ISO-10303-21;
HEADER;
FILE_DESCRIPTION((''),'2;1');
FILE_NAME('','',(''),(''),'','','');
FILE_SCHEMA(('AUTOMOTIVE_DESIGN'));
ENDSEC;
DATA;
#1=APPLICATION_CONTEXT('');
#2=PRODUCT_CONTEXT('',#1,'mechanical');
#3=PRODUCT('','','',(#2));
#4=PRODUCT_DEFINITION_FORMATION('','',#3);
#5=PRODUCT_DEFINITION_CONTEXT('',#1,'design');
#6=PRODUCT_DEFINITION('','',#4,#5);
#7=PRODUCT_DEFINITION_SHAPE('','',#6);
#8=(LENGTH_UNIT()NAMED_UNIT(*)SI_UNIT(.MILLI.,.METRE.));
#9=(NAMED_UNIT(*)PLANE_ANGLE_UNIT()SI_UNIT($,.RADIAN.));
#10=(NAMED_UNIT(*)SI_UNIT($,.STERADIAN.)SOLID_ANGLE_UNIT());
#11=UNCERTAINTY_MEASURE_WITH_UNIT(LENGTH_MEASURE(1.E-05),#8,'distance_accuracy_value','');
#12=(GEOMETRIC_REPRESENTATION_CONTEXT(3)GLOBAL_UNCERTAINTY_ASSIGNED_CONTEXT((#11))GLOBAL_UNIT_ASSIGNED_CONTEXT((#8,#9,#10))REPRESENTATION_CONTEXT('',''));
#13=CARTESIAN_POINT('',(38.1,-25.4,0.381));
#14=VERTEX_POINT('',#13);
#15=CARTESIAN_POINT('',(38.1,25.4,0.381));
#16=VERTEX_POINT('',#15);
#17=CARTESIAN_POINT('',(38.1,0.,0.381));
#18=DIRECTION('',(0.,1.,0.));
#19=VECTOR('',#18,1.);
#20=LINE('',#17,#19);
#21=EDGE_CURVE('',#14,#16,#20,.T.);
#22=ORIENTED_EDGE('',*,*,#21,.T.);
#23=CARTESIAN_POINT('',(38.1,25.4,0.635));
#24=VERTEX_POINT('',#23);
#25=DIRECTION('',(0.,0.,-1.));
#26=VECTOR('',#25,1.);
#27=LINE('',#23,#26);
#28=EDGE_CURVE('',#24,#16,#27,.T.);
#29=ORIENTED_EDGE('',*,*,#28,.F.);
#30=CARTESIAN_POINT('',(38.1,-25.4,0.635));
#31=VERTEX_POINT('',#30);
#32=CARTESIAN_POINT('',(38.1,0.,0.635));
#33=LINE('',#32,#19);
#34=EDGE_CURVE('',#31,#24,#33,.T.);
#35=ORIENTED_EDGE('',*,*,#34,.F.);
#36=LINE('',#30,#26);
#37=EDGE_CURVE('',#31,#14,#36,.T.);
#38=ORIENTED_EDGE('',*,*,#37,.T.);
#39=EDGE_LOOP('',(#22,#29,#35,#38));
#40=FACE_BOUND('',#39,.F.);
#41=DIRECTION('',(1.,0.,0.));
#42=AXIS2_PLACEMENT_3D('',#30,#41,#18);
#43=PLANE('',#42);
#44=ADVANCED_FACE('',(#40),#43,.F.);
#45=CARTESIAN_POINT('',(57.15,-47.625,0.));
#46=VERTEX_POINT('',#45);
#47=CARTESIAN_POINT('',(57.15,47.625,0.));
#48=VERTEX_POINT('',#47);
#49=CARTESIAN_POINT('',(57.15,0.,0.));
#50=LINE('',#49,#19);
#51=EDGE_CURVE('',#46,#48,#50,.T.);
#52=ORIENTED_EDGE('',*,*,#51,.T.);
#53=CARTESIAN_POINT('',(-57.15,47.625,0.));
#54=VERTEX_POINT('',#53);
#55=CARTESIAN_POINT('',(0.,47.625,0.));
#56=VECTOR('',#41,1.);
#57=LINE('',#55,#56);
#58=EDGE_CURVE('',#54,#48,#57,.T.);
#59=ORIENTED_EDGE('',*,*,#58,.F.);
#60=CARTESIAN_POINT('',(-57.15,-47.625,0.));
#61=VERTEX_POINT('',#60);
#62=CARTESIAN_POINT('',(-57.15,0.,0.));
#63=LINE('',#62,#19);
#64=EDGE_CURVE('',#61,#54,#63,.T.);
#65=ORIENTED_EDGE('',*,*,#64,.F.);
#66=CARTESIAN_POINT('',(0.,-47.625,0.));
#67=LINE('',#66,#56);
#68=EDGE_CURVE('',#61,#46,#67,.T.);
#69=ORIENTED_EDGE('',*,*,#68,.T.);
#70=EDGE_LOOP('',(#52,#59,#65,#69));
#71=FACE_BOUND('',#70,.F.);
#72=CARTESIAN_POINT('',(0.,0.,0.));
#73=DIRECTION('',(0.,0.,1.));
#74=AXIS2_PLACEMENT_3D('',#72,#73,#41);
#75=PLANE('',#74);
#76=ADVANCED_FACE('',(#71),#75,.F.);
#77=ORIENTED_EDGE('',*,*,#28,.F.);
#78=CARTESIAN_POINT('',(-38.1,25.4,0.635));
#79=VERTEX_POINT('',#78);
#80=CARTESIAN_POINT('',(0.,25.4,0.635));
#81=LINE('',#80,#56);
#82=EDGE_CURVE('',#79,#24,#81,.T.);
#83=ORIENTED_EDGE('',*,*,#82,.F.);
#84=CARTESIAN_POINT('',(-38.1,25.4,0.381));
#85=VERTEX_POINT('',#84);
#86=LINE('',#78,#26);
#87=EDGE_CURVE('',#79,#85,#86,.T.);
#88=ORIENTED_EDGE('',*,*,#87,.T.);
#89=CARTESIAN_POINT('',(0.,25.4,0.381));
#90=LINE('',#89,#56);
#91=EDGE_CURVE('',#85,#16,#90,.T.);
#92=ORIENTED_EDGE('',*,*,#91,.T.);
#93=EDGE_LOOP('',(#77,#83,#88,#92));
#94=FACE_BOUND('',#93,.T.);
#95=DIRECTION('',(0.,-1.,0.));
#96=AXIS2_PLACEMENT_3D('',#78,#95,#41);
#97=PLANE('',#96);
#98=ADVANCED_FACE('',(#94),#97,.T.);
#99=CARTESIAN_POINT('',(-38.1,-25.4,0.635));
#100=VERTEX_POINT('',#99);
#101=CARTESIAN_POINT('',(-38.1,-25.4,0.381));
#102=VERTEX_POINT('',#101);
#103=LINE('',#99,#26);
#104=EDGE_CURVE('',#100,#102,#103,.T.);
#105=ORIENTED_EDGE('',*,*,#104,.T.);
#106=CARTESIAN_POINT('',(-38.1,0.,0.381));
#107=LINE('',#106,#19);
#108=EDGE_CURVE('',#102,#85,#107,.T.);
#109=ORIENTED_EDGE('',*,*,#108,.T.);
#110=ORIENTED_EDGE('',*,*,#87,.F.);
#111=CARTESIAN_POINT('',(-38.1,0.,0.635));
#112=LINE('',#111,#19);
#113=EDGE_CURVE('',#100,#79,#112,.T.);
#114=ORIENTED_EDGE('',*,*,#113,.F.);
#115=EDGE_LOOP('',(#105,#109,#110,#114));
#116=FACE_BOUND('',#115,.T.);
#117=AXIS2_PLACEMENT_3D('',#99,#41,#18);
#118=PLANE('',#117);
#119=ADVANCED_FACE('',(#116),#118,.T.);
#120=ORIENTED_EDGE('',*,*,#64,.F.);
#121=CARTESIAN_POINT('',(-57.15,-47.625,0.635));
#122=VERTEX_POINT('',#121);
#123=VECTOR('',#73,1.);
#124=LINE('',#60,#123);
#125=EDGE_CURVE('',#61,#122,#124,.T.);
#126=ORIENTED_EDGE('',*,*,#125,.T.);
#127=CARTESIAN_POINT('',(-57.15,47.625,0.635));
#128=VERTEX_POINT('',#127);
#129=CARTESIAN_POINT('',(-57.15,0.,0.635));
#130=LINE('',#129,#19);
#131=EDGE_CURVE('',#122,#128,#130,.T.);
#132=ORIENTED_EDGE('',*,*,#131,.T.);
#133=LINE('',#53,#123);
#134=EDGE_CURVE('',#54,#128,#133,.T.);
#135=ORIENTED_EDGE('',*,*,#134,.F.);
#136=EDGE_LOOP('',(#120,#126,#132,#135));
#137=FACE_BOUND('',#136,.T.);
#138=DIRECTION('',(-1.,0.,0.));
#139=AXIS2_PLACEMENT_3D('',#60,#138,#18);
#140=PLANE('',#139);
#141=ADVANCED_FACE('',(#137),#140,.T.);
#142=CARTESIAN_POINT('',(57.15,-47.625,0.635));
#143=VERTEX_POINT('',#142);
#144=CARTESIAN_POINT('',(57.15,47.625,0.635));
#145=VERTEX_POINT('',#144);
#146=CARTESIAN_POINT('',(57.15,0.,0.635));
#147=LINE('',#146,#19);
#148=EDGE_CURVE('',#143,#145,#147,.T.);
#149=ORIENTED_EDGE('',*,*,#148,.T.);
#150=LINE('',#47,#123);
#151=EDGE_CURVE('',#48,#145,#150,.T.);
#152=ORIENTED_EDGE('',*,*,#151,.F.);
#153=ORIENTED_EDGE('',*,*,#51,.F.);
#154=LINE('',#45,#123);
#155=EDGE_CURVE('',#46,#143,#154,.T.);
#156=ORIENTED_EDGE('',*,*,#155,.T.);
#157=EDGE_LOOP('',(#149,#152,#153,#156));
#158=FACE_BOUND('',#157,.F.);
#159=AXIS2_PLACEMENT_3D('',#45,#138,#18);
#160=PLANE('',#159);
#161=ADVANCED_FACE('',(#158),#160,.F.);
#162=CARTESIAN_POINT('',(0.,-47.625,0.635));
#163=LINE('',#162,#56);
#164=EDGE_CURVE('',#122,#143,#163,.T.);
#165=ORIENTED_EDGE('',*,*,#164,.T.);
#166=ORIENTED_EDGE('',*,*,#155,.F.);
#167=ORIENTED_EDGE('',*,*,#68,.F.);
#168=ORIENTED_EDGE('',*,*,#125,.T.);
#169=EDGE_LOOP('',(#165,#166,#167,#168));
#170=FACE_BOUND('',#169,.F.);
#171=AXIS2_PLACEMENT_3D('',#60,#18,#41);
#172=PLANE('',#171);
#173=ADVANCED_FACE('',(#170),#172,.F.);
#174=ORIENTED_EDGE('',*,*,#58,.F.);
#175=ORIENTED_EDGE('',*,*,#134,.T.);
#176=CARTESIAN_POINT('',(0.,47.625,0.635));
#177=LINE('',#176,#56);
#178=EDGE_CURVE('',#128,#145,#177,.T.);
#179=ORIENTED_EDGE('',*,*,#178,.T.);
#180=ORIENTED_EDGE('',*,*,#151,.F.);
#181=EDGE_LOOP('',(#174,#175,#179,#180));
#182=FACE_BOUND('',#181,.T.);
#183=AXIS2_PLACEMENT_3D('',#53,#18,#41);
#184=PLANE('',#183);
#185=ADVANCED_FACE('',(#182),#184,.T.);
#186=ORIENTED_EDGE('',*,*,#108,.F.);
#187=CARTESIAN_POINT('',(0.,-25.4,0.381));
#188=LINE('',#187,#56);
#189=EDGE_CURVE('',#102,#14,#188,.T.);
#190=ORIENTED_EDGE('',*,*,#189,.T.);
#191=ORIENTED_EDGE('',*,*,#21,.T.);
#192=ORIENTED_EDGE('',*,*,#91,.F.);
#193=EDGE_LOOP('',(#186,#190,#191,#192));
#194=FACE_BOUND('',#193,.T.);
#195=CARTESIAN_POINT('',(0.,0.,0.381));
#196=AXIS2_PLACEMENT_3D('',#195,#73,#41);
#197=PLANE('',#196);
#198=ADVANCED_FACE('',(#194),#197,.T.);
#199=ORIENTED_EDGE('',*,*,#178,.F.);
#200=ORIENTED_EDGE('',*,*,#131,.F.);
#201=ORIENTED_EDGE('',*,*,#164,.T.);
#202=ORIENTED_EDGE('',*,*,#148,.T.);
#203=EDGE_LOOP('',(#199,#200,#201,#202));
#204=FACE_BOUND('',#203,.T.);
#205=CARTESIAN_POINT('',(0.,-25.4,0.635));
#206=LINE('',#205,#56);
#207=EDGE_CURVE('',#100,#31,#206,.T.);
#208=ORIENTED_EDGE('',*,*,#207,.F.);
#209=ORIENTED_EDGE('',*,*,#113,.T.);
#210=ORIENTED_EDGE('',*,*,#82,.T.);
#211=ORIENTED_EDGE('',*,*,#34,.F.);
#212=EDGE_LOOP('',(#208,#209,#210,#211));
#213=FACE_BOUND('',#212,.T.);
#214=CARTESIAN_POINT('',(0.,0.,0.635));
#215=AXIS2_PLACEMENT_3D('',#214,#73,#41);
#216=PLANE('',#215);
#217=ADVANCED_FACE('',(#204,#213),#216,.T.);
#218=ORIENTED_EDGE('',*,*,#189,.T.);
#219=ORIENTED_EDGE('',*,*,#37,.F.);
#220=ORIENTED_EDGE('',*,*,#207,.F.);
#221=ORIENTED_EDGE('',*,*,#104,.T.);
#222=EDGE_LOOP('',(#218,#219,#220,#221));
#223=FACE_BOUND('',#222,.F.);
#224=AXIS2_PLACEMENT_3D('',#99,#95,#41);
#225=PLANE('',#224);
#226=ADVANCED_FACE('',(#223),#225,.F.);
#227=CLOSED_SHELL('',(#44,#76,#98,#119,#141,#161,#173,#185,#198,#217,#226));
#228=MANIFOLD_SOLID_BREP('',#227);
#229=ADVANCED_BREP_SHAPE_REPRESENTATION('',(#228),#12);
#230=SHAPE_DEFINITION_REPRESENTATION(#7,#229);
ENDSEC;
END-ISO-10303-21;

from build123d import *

# Parameters (mm, degrees)
F0_W     = 114.3
F0_H     = 95.25
F1_DEPTH = 0.635
F2_W     = 76.2
F2_H     = 50.8
F3_DEPTH = 0.254


with BuildPart() as f1:
    # F0 (on Top) → F1 (new body)
    with BuildSketch(Plane.XY):
        Rectangle(F0_W, F0_H)
    extrude(amount=F1_DEPTH)

    # F2 (on face) + F0 (on Top) → F3 (cut)
    with BuildSketch(Plane.XY.offset(0.635)):
        Rectangle(F2_W, F2_H)
    with BuildSketch(Plane.XY):
        Rectangle(F0_W, F0_H)
    extrude(amount=-F3_DEPTH, mode=Mode.SUBTRACT)


solid = f1.part
